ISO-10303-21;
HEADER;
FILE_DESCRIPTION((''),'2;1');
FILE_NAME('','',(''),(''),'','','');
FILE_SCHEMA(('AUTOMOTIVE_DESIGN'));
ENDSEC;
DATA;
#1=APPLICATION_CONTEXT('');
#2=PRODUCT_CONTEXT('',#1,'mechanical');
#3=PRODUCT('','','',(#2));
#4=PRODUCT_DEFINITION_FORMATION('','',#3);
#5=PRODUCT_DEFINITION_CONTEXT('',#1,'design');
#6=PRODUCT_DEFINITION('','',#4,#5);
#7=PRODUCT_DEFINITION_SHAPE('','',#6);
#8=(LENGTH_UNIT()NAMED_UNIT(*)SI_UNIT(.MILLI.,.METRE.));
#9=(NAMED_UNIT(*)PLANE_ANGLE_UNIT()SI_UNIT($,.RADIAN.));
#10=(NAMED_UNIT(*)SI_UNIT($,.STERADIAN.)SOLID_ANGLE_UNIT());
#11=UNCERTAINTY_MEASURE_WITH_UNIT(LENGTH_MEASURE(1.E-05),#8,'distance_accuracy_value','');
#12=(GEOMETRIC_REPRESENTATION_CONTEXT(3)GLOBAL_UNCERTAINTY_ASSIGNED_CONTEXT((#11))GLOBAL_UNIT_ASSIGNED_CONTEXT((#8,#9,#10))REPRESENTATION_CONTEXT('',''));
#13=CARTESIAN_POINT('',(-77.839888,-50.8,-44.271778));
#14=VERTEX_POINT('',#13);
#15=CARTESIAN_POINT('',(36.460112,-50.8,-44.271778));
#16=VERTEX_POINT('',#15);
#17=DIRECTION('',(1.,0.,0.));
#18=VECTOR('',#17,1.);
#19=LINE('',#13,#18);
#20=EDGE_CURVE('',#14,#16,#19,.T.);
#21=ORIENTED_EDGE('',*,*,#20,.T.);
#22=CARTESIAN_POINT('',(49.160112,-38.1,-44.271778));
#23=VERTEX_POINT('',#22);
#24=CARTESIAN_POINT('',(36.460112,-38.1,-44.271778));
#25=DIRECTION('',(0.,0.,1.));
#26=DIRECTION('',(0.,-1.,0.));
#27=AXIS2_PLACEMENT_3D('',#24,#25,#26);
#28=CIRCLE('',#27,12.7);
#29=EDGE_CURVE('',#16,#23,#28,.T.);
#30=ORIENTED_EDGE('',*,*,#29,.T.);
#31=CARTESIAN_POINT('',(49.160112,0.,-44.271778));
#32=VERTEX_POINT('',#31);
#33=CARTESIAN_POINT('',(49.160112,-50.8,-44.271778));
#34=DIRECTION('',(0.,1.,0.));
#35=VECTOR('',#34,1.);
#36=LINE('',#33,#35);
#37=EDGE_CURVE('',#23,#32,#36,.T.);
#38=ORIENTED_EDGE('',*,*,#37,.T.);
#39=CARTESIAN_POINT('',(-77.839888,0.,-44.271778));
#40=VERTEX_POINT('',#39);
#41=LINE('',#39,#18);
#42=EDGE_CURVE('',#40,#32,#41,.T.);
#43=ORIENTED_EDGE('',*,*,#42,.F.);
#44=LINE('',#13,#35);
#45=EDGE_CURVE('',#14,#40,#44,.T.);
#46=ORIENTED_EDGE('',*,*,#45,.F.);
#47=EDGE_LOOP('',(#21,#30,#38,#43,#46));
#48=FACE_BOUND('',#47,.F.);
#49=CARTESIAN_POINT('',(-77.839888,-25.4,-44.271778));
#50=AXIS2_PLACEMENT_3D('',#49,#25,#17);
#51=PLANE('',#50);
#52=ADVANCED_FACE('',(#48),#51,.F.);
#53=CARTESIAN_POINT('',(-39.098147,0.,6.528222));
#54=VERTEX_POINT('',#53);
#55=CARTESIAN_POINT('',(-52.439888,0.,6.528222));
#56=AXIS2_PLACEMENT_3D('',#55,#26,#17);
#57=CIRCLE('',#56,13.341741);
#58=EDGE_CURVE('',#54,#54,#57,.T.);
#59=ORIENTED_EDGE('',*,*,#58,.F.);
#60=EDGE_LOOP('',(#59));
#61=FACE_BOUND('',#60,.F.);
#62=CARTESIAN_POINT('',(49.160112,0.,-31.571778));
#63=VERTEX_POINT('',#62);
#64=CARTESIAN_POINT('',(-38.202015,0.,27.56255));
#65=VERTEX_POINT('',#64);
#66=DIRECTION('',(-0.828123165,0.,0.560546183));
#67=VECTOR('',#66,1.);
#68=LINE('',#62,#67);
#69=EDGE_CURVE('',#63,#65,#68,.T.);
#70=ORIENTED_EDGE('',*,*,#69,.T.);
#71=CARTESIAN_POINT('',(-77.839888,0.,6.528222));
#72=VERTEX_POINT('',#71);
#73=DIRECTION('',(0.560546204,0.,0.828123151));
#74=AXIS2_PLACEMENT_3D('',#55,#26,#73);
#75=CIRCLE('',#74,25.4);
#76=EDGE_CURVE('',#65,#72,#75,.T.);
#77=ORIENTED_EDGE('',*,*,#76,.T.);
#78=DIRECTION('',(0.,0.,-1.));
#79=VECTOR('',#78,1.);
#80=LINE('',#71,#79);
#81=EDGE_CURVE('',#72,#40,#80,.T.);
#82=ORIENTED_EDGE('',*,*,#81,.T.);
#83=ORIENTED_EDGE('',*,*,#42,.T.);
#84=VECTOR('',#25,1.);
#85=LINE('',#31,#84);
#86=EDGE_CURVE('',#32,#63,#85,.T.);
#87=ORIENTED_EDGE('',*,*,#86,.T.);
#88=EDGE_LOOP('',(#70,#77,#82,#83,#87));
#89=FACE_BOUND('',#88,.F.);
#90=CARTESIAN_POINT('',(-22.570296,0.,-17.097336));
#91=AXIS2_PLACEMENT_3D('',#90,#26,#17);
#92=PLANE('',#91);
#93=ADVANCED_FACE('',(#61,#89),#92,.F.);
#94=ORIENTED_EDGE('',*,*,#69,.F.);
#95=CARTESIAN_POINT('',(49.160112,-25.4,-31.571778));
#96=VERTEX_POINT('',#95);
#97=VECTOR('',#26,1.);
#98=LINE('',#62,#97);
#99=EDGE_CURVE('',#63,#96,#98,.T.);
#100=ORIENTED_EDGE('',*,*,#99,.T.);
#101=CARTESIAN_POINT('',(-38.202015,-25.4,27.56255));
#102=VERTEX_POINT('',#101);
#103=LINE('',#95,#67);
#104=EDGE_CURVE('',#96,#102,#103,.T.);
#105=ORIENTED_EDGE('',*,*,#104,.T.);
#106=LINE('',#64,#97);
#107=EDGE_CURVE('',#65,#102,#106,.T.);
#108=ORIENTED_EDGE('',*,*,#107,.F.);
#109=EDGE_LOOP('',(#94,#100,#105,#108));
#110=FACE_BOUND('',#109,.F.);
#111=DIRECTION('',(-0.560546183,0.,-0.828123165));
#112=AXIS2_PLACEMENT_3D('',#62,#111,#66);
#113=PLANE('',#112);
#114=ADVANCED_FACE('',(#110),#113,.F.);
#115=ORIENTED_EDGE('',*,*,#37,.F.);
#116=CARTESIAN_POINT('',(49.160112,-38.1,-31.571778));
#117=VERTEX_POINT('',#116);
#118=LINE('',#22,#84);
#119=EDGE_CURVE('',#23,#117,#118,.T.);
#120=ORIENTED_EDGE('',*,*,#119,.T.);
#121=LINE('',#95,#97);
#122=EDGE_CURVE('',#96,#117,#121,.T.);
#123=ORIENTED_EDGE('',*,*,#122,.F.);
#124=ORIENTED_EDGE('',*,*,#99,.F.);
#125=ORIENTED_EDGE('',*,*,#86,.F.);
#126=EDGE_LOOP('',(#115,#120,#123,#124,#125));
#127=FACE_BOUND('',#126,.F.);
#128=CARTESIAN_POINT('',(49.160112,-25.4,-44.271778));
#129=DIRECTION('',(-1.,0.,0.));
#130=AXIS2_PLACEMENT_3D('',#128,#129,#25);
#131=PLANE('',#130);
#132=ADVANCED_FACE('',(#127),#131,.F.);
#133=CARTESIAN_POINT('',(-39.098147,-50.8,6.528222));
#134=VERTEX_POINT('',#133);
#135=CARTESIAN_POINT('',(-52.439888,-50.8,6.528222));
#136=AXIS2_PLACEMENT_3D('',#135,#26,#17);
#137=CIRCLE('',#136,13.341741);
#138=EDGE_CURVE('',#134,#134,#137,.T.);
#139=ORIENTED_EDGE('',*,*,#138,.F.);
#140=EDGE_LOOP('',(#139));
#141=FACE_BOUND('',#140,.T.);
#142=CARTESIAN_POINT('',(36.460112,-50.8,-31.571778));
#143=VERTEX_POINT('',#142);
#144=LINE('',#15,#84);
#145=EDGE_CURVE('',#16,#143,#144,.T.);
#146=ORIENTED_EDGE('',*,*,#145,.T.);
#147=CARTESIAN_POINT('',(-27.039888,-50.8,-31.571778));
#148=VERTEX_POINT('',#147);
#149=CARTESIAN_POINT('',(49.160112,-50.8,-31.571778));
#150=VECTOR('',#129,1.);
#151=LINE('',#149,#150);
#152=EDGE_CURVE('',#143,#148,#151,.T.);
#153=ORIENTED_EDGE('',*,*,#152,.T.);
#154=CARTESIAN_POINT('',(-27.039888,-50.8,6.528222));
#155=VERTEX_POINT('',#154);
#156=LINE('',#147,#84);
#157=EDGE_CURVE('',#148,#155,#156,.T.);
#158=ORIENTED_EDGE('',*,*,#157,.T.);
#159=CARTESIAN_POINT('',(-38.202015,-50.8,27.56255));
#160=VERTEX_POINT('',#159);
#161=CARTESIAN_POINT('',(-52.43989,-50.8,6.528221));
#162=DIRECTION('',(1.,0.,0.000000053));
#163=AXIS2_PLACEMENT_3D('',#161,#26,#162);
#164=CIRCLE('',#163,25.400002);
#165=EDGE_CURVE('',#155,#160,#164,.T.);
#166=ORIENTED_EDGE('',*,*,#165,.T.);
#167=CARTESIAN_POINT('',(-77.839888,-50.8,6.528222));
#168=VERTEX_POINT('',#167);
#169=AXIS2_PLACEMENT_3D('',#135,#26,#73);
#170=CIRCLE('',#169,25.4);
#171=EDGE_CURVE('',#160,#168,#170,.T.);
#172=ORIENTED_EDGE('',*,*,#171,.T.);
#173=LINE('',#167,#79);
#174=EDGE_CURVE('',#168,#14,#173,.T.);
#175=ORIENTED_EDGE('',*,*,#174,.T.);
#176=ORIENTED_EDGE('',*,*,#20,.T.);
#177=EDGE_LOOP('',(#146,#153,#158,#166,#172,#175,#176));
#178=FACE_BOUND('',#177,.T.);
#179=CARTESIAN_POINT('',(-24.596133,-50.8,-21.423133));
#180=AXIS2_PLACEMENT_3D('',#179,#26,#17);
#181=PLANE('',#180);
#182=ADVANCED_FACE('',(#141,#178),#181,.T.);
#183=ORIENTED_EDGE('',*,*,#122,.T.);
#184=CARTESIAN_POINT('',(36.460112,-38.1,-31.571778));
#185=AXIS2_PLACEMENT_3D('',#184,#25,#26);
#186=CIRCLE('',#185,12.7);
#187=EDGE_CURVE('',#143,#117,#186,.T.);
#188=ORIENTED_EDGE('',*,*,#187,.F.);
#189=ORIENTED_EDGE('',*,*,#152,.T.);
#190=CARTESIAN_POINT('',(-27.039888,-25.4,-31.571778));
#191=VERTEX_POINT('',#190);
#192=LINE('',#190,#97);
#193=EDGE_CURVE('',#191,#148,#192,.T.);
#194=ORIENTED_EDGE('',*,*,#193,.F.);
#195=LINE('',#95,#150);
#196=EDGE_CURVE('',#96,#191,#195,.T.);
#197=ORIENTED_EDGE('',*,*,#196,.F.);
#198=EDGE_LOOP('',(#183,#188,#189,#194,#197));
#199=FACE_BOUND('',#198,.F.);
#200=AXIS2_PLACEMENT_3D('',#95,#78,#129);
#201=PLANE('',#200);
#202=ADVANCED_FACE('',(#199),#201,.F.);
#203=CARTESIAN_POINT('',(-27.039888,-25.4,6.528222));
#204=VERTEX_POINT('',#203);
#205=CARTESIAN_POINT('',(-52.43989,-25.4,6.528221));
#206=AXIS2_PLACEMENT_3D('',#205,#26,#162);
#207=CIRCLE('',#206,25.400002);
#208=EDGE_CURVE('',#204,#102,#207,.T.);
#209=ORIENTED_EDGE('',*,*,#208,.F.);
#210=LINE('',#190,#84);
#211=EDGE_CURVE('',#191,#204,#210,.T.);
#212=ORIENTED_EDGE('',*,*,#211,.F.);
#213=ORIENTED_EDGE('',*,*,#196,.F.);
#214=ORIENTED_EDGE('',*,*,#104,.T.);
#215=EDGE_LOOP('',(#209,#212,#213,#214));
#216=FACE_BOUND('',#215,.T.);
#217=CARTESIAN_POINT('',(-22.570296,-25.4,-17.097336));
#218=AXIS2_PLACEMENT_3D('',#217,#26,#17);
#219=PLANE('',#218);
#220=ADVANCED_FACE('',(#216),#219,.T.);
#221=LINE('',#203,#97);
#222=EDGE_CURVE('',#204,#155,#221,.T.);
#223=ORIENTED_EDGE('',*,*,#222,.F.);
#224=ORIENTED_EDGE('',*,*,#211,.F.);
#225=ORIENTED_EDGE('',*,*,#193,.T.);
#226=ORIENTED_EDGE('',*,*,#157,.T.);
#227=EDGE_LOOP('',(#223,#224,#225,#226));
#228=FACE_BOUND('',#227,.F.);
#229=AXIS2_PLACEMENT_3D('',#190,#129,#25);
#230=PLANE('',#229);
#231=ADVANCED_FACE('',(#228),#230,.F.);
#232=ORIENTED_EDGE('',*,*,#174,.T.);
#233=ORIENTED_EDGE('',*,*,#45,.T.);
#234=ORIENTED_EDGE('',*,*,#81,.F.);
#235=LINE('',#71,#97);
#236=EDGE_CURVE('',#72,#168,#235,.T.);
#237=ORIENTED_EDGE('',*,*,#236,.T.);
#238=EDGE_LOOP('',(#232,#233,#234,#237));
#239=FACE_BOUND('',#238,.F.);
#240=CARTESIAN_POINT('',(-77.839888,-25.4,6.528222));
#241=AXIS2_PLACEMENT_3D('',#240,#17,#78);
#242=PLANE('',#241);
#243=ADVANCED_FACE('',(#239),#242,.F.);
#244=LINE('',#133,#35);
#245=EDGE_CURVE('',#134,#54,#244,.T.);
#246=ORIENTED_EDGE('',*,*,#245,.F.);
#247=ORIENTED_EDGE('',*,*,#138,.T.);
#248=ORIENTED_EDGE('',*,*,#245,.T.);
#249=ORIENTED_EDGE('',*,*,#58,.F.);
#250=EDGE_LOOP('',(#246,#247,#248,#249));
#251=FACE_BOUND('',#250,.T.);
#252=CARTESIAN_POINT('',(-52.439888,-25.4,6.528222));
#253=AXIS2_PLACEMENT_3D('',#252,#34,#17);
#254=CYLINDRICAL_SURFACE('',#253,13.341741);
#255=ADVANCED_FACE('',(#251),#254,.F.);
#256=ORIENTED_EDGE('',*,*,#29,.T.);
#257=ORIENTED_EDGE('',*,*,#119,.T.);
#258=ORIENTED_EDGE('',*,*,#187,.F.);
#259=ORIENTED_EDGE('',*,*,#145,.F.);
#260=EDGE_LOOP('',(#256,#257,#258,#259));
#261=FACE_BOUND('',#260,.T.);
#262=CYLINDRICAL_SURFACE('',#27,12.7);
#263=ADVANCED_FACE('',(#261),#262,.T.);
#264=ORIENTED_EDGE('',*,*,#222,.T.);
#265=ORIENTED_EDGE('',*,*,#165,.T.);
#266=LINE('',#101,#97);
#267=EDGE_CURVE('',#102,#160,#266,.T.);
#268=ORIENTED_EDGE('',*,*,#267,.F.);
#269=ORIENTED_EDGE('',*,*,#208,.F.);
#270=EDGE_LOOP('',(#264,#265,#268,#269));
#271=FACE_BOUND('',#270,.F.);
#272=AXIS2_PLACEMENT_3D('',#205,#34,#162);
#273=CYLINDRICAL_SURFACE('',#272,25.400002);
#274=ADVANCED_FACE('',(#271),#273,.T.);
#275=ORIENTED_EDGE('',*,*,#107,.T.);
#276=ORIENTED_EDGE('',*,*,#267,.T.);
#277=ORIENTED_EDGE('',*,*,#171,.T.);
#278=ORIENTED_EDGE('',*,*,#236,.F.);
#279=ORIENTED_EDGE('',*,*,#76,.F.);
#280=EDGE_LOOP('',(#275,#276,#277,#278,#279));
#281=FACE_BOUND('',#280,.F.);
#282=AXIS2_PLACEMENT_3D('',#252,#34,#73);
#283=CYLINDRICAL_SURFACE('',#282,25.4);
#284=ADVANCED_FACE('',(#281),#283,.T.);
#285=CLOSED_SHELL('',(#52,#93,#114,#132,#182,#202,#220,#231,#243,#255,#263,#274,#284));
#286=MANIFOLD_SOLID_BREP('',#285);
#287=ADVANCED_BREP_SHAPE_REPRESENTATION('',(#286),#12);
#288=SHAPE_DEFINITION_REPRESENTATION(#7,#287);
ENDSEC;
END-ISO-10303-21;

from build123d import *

# Parameters (mm, degrees)
F0_R     = 13.341741
F1_DEPTH = 25.4
F2_R     = 13.341741
F3_DEPTH = 25.4
F4_R     = 12.7


with BuildPart() as f1:
    # F0 (on Front) → F1 (new body)
    with BuildSketch(Plane.XZ):
        with BuildLine():
            Line((49.160112, -31.571778), (-38.202015, 27.56255))
            ThreePointArc((-38.202015, 27.56255), (-64.346148, 28.964821), (-77.839888, 6.528222))
            Line((-77.839888, 6.528222), (-77.839888, -44.271778))
            Line((-77.839888, -44.271778), (49.160112, -44.271778))
            Line((49.160112, -44.271778), (49.160112, -31.571778))
        make_face()
        with Locations((-52.439888, 6.528222)):
            Circle(F0_R, mode=Mode.SUBTRACT)
    extrude(amount=F1_DEPTH)

    # F2 (on face) → F3 (join)
    with BuildSketch(Plane.XZ.offset(25.4)):
        with BuildLine():
            Line((-27.039888, -31.571778), (-27.039888, 6.528222))
            ThreePointArc((-27.039888, 6.528222), (-30.003289, 18.434481), (-38.202015, 27.56255))
            ThreePointArc((-38.202015, 27.56255), (-64.346148, 28.964821), (-77.839888, 6.528222))
            Line((-77.839888, 6.528222), (-77.839888, -31.571778))
            Line((-77.839888, -31.571778), (-77.839888, -44.271778))
            Line((-77.839888, -44.271778), (49.160112, -44.271778))
            Line((49.160112, -44.271778), (49.160112, -31.571778))
            Line((49.160112, -31.571778), (-27.039888, -31.571778))
        make_face()
        with Locations((-52.439888, 6.528222)):
            Circle(F2_R, mode=Mode.SUBTRACT)
    extrude(amount=F3_DEPTH)

    # F4
    f4_edges = [f1.edges().sort_by_distance(p)[0] for p in [
        (49.160112, -50.8, -37.921778),
    ]]
    fillet(f4_edges, radius=F4_R)


solid = f1.part
